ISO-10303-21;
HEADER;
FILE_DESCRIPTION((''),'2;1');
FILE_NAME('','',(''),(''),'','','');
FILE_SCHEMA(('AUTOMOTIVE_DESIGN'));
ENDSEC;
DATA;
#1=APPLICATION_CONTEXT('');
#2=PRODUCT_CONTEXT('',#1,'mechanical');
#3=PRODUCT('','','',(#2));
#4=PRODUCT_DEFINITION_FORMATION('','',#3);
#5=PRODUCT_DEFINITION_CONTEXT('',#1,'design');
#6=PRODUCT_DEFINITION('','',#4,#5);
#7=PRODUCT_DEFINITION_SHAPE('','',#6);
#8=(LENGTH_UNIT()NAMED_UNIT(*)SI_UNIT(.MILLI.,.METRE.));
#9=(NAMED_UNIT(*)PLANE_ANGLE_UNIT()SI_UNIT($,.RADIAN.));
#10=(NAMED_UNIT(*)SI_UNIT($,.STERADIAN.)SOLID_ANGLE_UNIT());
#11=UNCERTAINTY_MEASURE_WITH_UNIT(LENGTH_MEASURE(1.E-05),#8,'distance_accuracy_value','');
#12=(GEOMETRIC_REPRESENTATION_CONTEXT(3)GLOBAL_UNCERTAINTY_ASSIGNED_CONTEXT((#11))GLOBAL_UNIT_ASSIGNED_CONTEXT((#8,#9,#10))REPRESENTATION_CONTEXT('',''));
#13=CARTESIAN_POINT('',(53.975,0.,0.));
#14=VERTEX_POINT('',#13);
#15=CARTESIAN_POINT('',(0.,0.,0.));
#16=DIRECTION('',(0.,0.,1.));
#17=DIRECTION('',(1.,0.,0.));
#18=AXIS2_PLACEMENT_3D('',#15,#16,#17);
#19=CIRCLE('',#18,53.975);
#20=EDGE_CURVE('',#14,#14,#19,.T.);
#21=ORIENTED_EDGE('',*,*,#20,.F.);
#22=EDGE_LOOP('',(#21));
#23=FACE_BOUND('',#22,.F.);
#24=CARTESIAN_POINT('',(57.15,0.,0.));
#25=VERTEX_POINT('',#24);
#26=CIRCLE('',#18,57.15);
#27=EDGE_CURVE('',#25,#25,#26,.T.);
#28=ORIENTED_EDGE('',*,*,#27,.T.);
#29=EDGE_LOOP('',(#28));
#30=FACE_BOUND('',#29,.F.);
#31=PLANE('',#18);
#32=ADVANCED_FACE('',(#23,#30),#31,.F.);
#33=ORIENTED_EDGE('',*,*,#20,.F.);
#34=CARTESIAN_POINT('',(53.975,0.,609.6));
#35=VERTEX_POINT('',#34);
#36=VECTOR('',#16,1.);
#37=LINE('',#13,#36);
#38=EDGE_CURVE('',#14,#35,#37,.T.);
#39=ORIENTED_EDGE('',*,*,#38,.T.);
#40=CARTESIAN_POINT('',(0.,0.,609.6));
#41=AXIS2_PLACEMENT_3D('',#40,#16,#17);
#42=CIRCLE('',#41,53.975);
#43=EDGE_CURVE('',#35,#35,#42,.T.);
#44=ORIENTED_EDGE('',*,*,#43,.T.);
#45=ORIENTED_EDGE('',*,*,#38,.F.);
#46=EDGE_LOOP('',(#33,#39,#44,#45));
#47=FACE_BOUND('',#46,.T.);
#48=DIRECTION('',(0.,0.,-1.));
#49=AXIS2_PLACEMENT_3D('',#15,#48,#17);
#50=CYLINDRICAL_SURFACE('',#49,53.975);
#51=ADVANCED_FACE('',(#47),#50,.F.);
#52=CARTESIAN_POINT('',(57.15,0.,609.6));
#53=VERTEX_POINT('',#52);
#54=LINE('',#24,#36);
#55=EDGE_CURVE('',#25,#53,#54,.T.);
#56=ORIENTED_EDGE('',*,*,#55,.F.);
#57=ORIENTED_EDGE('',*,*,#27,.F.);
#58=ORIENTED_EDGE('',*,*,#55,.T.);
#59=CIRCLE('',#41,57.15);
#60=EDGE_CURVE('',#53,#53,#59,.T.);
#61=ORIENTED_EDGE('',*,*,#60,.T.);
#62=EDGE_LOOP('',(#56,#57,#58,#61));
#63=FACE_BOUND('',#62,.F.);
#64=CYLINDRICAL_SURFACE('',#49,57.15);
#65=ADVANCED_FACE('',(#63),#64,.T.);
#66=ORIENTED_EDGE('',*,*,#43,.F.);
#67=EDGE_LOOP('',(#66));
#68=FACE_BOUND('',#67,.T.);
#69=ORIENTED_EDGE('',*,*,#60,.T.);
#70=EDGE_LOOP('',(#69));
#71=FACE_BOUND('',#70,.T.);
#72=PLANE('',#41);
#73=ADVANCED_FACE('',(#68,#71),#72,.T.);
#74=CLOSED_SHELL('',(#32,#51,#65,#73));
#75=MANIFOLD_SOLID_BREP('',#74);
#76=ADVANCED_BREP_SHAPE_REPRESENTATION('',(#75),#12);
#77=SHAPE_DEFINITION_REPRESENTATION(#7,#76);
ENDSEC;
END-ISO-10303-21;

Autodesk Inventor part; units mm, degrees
ref_plane "YZ Plane" through (0, 0, 0) normal (1, 0, 0) x (0, 1, 0)
ref_plane "XZ Plane" through (0, 0, 0) normal (0, 1, 0) x (-1, 0, 0)
ref_plane "XY Plane" through (0, 0, 0) normal (0, 0, 1) x (1, 0, 0)
sketch "Sketch1" plane through (0, 0, 0) normal (0, 0, 1) x (1, 0, 0)
  circle A0 centre (0, 0) radius 57.15
  circle A1 centre (0, 0) radius 53.975
  dimension "d0" = 114.3
  dimension "d3" = 107.95
extrude "Extrusion2" add sketch "Sketch1" along normal blind 609.6
properties part number "Inner Pole"
